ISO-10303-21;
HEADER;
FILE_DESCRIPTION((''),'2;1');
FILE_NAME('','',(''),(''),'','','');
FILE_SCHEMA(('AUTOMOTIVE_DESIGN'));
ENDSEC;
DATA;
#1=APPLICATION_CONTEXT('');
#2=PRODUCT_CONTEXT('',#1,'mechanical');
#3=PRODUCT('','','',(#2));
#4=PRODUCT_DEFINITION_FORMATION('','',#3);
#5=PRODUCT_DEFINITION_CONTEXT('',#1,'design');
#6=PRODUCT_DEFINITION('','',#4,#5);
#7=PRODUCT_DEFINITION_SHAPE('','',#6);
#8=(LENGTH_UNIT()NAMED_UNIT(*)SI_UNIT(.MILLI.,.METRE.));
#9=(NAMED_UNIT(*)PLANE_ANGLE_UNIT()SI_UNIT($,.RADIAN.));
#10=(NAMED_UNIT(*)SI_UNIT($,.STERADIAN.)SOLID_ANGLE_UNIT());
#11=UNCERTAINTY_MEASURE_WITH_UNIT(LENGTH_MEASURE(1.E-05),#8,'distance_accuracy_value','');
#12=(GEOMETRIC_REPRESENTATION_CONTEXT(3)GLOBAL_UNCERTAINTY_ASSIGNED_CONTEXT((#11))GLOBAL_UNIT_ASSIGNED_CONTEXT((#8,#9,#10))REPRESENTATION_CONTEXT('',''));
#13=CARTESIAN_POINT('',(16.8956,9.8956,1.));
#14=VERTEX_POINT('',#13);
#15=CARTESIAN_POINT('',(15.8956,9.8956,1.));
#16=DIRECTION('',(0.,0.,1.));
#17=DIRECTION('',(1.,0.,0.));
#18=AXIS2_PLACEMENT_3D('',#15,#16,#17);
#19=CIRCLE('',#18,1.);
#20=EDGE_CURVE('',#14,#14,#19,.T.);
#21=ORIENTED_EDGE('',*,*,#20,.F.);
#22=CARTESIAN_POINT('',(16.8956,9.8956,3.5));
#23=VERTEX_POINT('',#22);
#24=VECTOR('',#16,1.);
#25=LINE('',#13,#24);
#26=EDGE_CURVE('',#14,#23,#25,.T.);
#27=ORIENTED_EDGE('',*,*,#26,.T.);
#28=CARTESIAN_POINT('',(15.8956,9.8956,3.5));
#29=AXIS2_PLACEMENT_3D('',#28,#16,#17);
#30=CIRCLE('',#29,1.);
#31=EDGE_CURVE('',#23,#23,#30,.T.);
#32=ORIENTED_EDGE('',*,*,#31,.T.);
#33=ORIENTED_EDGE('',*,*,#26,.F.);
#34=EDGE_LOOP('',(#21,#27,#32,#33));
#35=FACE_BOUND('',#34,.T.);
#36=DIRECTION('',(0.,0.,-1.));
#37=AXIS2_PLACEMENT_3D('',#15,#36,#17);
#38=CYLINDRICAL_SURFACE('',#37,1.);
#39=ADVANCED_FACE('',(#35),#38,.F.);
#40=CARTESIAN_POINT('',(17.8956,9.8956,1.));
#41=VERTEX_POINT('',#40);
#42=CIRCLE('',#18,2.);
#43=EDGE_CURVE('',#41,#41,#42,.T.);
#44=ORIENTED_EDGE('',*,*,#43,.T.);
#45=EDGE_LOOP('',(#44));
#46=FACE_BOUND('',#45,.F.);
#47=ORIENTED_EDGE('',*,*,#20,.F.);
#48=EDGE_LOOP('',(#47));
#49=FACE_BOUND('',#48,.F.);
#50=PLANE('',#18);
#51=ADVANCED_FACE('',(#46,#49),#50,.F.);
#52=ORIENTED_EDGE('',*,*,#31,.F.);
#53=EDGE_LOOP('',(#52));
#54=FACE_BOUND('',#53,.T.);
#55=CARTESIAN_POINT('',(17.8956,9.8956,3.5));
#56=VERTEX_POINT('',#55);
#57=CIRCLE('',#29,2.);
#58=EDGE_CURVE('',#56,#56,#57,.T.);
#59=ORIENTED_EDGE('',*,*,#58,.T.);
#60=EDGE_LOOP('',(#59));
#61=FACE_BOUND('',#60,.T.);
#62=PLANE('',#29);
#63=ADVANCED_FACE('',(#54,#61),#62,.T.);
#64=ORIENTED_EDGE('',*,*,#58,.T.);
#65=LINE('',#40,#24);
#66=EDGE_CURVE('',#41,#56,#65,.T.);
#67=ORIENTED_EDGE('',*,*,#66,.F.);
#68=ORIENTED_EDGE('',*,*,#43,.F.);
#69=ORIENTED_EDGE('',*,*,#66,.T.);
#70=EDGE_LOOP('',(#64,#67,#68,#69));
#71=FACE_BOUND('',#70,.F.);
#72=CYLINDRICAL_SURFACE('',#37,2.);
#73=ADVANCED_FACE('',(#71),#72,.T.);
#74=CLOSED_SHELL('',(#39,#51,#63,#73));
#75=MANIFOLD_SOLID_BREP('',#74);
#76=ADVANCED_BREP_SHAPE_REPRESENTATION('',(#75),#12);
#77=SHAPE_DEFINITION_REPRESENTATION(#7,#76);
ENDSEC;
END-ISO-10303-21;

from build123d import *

# Parameters (mm, degrees)
CYLINDER032_R     = 1
CYLINDER032_DEPTH = 2.5
CYLINDER031_R     = 2
CYLINDER031_DEPTH = 2.5


with BuildPart() as hole_pcb_master007:
    # Cylinder032 → Cylinder032 (new body)
    with BuildSketch(Plane(origin=(15.8956, 9.8956, 0), x_dir=(1, 0, 0), z_dir=(0, 0, 1))):
        Circle(CYLINDER032_R)
    extrude(amount=CYLINDER032_DEPTH)


with BuildPart() as pcb_support:
    # Cylinder031 → Cylinder031 (new body)
    with BuildSketch(Plane(origin=(15.8956, 9.8956, 0), x_dir=(1, 0, 0), z_dir=(0, 0, 1))):
        Circle(CYLINDER031_R)
    extrude(amount=CYLINDER031_DEPTH)

    # Cut031: cut hole_PCB_master007
    add(hole_pcb_master007.part, mode=Mode.SUBTRACT)


with BuildPart() as pcb_support_1:
    # Cut031 placement: moved
    add(pcb_support.part.moved(Location((0, 0, 1))))


solid = pcb_support_1.part
